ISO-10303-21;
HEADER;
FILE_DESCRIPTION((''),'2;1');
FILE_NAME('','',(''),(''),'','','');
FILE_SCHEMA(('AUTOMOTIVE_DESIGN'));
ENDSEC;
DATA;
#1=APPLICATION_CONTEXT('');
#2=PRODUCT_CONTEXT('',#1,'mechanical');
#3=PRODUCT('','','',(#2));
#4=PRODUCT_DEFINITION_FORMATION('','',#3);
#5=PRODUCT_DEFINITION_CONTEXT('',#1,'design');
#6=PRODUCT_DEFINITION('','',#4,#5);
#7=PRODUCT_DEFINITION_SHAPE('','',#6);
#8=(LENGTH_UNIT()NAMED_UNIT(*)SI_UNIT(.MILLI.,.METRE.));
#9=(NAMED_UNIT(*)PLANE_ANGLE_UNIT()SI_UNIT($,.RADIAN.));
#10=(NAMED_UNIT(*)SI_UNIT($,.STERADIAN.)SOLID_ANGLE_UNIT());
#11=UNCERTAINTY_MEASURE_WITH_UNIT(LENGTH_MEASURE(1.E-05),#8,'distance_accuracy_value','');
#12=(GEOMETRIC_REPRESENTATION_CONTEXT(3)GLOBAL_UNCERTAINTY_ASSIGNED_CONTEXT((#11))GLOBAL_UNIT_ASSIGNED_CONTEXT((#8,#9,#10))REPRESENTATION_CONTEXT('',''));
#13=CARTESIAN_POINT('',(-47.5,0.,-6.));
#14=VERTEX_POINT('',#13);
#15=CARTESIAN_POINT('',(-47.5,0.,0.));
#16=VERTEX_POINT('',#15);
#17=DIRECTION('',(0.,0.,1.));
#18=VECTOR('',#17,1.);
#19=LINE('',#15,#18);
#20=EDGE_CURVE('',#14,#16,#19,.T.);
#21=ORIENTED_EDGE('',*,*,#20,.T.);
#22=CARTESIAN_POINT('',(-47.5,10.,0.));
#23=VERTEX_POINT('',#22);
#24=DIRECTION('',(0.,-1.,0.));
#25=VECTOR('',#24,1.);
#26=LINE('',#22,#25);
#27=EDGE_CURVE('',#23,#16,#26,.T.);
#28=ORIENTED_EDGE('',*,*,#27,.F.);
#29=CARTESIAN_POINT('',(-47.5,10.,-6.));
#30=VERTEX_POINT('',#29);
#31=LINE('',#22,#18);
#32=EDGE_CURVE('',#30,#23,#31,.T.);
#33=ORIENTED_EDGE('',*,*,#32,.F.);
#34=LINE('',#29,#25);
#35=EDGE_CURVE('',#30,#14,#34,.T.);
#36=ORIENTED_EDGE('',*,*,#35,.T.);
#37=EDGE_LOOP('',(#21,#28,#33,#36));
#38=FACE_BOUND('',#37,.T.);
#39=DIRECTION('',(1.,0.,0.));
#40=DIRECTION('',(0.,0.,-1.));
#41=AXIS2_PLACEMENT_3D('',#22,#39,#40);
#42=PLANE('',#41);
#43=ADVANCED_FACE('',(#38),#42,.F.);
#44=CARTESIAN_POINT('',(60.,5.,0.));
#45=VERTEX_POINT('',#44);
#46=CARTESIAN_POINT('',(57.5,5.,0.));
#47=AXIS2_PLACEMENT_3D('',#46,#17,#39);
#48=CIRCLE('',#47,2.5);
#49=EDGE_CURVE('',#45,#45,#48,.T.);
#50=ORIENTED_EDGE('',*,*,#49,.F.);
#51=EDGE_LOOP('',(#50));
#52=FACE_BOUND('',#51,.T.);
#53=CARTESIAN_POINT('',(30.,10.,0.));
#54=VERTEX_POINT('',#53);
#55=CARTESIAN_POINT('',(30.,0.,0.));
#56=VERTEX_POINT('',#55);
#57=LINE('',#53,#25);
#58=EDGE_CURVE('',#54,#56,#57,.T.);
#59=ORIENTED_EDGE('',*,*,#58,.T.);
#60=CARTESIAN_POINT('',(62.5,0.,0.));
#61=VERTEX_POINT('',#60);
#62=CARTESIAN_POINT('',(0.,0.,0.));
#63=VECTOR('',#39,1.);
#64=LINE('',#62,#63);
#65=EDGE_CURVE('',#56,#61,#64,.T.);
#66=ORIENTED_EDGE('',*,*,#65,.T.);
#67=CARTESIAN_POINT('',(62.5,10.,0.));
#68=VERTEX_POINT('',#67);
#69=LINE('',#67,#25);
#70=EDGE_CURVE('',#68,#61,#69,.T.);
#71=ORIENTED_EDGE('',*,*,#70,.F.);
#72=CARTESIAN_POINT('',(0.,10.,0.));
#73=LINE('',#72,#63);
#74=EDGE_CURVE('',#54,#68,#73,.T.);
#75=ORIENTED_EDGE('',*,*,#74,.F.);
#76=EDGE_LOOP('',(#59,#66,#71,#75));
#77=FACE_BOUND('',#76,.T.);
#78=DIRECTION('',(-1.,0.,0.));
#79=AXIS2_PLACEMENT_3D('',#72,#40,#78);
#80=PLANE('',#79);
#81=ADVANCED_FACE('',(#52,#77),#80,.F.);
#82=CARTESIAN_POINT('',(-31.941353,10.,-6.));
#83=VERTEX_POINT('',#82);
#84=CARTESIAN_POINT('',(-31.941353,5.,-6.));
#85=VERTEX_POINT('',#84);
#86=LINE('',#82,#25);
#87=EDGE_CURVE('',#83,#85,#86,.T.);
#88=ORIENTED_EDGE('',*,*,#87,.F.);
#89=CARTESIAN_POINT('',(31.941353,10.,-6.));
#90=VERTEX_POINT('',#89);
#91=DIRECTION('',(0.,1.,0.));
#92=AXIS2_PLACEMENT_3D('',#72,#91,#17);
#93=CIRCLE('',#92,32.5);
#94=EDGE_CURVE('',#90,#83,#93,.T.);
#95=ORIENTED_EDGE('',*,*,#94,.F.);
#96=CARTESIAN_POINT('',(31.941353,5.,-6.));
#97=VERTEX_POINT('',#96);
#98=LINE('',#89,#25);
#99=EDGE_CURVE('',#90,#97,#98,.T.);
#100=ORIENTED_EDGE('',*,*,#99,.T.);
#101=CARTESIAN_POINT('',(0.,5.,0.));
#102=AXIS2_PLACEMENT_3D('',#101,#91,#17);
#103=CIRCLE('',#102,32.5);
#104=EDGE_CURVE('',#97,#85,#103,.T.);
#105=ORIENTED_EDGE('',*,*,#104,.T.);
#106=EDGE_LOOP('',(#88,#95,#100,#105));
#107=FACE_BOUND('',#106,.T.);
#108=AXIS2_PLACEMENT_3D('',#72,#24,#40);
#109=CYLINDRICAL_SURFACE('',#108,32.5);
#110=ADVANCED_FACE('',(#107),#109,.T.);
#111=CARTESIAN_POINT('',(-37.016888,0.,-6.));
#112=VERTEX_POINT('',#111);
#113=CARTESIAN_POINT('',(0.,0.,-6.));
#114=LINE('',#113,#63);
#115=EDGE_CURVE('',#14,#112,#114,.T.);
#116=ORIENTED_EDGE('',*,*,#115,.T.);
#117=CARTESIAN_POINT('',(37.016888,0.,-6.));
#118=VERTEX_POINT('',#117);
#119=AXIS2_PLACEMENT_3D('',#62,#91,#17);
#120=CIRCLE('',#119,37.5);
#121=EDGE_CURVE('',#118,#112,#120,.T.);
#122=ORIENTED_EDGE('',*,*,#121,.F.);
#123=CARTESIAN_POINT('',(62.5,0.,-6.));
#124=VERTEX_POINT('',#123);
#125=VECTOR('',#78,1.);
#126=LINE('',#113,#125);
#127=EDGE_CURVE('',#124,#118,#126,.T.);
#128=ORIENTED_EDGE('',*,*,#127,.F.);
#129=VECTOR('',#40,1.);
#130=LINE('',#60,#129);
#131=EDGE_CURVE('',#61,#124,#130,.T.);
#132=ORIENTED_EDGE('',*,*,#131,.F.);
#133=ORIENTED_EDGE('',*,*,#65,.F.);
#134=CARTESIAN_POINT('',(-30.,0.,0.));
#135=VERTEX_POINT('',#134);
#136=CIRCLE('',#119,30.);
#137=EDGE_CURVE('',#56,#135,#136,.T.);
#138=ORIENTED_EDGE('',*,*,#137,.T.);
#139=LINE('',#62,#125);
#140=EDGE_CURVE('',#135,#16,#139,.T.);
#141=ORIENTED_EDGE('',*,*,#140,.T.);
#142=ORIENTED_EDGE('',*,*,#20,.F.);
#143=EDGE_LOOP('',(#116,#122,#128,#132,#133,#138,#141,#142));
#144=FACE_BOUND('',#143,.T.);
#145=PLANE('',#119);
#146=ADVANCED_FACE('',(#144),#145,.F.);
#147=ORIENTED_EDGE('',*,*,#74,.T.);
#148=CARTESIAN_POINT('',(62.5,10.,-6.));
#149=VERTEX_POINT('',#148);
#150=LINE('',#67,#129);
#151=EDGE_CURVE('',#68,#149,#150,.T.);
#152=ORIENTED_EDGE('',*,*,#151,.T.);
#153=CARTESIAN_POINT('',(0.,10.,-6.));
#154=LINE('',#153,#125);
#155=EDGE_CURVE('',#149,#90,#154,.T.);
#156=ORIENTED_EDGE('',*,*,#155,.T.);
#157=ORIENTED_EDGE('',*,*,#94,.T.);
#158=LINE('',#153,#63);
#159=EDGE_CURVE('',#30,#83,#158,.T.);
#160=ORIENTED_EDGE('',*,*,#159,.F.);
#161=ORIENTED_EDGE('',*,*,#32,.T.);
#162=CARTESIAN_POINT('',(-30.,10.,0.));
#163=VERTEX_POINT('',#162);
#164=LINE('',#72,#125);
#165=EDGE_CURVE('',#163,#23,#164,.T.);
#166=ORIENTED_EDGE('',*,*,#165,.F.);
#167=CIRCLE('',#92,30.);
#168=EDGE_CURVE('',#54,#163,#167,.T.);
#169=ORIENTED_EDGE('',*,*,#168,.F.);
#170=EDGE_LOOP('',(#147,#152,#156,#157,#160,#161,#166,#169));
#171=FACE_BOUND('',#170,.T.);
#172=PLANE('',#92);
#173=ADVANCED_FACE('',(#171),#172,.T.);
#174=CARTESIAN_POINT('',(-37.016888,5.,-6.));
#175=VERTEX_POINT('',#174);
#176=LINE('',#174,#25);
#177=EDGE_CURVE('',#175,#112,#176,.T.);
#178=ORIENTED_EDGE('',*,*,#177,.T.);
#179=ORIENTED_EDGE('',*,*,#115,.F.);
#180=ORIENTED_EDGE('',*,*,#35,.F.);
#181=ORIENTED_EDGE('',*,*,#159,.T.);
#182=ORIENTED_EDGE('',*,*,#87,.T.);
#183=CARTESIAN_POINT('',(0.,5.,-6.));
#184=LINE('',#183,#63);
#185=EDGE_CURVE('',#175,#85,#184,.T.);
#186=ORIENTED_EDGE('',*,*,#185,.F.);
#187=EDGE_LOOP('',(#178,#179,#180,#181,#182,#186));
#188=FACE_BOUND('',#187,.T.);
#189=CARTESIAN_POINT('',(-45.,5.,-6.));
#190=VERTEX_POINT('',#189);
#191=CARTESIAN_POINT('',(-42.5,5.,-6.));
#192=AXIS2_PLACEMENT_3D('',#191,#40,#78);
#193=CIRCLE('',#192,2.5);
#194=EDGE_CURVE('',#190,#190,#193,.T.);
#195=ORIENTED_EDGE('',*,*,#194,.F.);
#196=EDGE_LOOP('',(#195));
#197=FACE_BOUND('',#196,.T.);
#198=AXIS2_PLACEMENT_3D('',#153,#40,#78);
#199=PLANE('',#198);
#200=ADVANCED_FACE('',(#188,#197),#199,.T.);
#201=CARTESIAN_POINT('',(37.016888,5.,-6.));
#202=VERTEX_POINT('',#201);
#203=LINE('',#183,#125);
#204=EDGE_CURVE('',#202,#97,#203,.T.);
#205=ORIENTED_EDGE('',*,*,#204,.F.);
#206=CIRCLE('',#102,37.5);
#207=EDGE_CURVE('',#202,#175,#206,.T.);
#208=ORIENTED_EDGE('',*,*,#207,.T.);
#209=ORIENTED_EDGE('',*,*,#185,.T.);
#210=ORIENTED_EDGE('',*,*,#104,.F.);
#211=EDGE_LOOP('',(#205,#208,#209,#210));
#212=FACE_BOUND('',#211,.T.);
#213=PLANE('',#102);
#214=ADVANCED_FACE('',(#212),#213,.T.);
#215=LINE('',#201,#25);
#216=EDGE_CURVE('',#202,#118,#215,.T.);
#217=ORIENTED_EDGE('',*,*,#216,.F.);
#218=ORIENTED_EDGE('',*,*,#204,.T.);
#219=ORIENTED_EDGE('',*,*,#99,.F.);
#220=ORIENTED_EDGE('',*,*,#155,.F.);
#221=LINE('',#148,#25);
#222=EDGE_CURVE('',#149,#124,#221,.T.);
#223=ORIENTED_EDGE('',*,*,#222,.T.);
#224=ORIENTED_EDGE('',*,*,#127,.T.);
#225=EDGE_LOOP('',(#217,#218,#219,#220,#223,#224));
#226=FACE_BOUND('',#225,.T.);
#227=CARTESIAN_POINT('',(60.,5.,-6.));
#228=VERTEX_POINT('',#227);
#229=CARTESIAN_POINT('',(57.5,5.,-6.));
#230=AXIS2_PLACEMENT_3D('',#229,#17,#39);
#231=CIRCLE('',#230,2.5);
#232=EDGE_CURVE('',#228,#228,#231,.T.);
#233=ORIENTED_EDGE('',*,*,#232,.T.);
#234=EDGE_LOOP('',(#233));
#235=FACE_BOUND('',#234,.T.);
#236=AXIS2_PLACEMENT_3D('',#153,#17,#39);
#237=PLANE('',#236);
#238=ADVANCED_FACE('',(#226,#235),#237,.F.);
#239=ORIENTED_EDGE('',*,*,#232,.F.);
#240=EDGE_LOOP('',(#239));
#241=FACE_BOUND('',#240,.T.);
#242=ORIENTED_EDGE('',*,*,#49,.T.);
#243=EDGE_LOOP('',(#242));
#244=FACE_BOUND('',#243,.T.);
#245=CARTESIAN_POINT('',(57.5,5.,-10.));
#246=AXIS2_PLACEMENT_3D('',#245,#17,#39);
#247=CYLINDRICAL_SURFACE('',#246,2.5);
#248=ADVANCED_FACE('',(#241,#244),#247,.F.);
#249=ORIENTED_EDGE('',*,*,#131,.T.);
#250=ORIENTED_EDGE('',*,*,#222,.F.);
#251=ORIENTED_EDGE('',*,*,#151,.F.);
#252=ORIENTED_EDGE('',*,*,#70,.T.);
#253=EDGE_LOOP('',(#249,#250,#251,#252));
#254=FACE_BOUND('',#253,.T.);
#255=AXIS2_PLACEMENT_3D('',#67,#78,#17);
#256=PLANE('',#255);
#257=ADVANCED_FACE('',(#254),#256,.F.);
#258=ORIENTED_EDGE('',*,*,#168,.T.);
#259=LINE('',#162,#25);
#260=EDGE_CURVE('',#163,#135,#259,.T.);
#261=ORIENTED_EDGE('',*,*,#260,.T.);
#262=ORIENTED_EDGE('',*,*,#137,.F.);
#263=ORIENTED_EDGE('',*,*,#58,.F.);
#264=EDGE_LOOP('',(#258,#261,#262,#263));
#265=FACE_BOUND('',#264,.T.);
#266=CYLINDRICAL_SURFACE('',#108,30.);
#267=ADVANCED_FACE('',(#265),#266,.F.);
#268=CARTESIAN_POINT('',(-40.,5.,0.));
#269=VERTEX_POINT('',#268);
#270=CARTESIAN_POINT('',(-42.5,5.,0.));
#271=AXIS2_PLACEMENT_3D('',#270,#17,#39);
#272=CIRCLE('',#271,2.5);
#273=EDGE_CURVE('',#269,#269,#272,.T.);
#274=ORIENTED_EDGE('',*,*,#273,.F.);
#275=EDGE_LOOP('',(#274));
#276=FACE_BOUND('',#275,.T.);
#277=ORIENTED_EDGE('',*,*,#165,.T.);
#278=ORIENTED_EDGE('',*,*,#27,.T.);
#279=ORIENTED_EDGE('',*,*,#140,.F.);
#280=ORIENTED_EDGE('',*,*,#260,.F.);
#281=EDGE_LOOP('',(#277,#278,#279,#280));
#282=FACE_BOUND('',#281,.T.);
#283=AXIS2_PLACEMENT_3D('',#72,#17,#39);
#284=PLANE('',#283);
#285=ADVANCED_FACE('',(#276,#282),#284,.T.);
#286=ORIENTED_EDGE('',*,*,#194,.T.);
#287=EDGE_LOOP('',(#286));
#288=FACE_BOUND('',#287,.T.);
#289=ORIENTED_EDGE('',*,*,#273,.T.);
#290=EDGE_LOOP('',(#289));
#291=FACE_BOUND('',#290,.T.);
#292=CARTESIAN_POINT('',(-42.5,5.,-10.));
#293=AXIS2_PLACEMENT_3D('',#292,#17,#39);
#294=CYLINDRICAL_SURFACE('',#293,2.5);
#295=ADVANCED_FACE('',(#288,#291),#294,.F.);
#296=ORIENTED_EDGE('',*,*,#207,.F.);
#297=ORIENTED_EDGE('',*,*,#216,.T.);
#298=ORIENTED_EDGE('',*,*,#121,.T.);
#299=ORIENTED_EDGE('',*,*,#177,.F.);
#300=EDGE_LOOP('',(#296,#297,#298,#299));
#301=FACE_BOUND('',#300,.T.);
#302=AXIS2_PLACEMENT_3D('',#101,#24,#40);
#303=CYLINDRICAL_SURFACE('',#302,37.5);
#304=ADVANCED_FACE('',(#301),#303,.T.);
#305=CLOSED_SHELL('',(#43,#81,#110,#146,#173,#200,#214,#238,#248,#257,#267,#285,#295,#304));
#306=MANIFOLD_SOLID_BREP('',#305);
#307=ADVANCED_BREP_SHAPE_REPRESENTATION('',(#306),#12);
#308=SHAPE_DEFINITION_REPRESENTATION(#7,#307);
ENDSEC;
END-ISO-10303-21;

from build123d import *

# Parameters (mm, degrees)
BOSS_EXTRUDE1_DEPTH = 10
SKETCH3_R           = 2.5
CUT_EXTRUDE1_DEPTH  = 10
BOSS_EXTRUDE2_DEPTH = 5


with BuildPart() as part:
    # Sketch1 → Boss-Extrude1 (new body)
    with BuildSketch(Plane(origin=(0, 0, 0), x_dir=(1, 0, 0), z_dir=(0, 1, 0))):
        with BuildLine():
            Line((62.5, 6), (31.941352507, 6))
            ThreePointArc((31.941352507, 6), (0, 32.5), (-31.941352507, 6))
            Line((-31.941352507, 6), (-47.5, 6))
            Line((-47.5, 6), (-47.5, 0))
            Line((-47.5, 0), (-30, 0))
            ThreePointArc((-30, 0), (0, 30), (30, 0))
            Line((30, 0), (62.5, 0))
            Line((62.5, 0), (62.5, 6))
        make_face()
    extrude(amount=BOSS_EXTRUDE1_DEPTH)

    # Sketch3 → Cut-Extrude1 (cut)
    with BuildSketch(Plane.XY):
        with Locations((57.5, 5)):
            Circle(SKETCH3_R)
        with Locations((-42.5, 5)):
            Circle(SKETCH3_R)
    extrude(amount=-CUT_EXTRUDE1_DEPTH, mode=Mode.SUBTRACT)

    # Sketch5 → Boss-Extrude2 (add)
    with BuildSketch(Plane(origin=(0, 0, 0), x_dir=(1, 0, 0), z_dir=(0, 1, 0))):
        with BuildLine():
            ThreePointArc((37.5, 0), (0, 37.5), (-37.5, 0))
            Line((-37.5, 0), (-32.5, 0))
            ThreePointArc((-32.5, 0), (0, 32.5), (32.5, 0))
            Line((32.5, 0), (37.5, 0))
        make_face()
    extrude(amount=BOSS_EXTRUDE2_DEPTH)


solid = part.part
